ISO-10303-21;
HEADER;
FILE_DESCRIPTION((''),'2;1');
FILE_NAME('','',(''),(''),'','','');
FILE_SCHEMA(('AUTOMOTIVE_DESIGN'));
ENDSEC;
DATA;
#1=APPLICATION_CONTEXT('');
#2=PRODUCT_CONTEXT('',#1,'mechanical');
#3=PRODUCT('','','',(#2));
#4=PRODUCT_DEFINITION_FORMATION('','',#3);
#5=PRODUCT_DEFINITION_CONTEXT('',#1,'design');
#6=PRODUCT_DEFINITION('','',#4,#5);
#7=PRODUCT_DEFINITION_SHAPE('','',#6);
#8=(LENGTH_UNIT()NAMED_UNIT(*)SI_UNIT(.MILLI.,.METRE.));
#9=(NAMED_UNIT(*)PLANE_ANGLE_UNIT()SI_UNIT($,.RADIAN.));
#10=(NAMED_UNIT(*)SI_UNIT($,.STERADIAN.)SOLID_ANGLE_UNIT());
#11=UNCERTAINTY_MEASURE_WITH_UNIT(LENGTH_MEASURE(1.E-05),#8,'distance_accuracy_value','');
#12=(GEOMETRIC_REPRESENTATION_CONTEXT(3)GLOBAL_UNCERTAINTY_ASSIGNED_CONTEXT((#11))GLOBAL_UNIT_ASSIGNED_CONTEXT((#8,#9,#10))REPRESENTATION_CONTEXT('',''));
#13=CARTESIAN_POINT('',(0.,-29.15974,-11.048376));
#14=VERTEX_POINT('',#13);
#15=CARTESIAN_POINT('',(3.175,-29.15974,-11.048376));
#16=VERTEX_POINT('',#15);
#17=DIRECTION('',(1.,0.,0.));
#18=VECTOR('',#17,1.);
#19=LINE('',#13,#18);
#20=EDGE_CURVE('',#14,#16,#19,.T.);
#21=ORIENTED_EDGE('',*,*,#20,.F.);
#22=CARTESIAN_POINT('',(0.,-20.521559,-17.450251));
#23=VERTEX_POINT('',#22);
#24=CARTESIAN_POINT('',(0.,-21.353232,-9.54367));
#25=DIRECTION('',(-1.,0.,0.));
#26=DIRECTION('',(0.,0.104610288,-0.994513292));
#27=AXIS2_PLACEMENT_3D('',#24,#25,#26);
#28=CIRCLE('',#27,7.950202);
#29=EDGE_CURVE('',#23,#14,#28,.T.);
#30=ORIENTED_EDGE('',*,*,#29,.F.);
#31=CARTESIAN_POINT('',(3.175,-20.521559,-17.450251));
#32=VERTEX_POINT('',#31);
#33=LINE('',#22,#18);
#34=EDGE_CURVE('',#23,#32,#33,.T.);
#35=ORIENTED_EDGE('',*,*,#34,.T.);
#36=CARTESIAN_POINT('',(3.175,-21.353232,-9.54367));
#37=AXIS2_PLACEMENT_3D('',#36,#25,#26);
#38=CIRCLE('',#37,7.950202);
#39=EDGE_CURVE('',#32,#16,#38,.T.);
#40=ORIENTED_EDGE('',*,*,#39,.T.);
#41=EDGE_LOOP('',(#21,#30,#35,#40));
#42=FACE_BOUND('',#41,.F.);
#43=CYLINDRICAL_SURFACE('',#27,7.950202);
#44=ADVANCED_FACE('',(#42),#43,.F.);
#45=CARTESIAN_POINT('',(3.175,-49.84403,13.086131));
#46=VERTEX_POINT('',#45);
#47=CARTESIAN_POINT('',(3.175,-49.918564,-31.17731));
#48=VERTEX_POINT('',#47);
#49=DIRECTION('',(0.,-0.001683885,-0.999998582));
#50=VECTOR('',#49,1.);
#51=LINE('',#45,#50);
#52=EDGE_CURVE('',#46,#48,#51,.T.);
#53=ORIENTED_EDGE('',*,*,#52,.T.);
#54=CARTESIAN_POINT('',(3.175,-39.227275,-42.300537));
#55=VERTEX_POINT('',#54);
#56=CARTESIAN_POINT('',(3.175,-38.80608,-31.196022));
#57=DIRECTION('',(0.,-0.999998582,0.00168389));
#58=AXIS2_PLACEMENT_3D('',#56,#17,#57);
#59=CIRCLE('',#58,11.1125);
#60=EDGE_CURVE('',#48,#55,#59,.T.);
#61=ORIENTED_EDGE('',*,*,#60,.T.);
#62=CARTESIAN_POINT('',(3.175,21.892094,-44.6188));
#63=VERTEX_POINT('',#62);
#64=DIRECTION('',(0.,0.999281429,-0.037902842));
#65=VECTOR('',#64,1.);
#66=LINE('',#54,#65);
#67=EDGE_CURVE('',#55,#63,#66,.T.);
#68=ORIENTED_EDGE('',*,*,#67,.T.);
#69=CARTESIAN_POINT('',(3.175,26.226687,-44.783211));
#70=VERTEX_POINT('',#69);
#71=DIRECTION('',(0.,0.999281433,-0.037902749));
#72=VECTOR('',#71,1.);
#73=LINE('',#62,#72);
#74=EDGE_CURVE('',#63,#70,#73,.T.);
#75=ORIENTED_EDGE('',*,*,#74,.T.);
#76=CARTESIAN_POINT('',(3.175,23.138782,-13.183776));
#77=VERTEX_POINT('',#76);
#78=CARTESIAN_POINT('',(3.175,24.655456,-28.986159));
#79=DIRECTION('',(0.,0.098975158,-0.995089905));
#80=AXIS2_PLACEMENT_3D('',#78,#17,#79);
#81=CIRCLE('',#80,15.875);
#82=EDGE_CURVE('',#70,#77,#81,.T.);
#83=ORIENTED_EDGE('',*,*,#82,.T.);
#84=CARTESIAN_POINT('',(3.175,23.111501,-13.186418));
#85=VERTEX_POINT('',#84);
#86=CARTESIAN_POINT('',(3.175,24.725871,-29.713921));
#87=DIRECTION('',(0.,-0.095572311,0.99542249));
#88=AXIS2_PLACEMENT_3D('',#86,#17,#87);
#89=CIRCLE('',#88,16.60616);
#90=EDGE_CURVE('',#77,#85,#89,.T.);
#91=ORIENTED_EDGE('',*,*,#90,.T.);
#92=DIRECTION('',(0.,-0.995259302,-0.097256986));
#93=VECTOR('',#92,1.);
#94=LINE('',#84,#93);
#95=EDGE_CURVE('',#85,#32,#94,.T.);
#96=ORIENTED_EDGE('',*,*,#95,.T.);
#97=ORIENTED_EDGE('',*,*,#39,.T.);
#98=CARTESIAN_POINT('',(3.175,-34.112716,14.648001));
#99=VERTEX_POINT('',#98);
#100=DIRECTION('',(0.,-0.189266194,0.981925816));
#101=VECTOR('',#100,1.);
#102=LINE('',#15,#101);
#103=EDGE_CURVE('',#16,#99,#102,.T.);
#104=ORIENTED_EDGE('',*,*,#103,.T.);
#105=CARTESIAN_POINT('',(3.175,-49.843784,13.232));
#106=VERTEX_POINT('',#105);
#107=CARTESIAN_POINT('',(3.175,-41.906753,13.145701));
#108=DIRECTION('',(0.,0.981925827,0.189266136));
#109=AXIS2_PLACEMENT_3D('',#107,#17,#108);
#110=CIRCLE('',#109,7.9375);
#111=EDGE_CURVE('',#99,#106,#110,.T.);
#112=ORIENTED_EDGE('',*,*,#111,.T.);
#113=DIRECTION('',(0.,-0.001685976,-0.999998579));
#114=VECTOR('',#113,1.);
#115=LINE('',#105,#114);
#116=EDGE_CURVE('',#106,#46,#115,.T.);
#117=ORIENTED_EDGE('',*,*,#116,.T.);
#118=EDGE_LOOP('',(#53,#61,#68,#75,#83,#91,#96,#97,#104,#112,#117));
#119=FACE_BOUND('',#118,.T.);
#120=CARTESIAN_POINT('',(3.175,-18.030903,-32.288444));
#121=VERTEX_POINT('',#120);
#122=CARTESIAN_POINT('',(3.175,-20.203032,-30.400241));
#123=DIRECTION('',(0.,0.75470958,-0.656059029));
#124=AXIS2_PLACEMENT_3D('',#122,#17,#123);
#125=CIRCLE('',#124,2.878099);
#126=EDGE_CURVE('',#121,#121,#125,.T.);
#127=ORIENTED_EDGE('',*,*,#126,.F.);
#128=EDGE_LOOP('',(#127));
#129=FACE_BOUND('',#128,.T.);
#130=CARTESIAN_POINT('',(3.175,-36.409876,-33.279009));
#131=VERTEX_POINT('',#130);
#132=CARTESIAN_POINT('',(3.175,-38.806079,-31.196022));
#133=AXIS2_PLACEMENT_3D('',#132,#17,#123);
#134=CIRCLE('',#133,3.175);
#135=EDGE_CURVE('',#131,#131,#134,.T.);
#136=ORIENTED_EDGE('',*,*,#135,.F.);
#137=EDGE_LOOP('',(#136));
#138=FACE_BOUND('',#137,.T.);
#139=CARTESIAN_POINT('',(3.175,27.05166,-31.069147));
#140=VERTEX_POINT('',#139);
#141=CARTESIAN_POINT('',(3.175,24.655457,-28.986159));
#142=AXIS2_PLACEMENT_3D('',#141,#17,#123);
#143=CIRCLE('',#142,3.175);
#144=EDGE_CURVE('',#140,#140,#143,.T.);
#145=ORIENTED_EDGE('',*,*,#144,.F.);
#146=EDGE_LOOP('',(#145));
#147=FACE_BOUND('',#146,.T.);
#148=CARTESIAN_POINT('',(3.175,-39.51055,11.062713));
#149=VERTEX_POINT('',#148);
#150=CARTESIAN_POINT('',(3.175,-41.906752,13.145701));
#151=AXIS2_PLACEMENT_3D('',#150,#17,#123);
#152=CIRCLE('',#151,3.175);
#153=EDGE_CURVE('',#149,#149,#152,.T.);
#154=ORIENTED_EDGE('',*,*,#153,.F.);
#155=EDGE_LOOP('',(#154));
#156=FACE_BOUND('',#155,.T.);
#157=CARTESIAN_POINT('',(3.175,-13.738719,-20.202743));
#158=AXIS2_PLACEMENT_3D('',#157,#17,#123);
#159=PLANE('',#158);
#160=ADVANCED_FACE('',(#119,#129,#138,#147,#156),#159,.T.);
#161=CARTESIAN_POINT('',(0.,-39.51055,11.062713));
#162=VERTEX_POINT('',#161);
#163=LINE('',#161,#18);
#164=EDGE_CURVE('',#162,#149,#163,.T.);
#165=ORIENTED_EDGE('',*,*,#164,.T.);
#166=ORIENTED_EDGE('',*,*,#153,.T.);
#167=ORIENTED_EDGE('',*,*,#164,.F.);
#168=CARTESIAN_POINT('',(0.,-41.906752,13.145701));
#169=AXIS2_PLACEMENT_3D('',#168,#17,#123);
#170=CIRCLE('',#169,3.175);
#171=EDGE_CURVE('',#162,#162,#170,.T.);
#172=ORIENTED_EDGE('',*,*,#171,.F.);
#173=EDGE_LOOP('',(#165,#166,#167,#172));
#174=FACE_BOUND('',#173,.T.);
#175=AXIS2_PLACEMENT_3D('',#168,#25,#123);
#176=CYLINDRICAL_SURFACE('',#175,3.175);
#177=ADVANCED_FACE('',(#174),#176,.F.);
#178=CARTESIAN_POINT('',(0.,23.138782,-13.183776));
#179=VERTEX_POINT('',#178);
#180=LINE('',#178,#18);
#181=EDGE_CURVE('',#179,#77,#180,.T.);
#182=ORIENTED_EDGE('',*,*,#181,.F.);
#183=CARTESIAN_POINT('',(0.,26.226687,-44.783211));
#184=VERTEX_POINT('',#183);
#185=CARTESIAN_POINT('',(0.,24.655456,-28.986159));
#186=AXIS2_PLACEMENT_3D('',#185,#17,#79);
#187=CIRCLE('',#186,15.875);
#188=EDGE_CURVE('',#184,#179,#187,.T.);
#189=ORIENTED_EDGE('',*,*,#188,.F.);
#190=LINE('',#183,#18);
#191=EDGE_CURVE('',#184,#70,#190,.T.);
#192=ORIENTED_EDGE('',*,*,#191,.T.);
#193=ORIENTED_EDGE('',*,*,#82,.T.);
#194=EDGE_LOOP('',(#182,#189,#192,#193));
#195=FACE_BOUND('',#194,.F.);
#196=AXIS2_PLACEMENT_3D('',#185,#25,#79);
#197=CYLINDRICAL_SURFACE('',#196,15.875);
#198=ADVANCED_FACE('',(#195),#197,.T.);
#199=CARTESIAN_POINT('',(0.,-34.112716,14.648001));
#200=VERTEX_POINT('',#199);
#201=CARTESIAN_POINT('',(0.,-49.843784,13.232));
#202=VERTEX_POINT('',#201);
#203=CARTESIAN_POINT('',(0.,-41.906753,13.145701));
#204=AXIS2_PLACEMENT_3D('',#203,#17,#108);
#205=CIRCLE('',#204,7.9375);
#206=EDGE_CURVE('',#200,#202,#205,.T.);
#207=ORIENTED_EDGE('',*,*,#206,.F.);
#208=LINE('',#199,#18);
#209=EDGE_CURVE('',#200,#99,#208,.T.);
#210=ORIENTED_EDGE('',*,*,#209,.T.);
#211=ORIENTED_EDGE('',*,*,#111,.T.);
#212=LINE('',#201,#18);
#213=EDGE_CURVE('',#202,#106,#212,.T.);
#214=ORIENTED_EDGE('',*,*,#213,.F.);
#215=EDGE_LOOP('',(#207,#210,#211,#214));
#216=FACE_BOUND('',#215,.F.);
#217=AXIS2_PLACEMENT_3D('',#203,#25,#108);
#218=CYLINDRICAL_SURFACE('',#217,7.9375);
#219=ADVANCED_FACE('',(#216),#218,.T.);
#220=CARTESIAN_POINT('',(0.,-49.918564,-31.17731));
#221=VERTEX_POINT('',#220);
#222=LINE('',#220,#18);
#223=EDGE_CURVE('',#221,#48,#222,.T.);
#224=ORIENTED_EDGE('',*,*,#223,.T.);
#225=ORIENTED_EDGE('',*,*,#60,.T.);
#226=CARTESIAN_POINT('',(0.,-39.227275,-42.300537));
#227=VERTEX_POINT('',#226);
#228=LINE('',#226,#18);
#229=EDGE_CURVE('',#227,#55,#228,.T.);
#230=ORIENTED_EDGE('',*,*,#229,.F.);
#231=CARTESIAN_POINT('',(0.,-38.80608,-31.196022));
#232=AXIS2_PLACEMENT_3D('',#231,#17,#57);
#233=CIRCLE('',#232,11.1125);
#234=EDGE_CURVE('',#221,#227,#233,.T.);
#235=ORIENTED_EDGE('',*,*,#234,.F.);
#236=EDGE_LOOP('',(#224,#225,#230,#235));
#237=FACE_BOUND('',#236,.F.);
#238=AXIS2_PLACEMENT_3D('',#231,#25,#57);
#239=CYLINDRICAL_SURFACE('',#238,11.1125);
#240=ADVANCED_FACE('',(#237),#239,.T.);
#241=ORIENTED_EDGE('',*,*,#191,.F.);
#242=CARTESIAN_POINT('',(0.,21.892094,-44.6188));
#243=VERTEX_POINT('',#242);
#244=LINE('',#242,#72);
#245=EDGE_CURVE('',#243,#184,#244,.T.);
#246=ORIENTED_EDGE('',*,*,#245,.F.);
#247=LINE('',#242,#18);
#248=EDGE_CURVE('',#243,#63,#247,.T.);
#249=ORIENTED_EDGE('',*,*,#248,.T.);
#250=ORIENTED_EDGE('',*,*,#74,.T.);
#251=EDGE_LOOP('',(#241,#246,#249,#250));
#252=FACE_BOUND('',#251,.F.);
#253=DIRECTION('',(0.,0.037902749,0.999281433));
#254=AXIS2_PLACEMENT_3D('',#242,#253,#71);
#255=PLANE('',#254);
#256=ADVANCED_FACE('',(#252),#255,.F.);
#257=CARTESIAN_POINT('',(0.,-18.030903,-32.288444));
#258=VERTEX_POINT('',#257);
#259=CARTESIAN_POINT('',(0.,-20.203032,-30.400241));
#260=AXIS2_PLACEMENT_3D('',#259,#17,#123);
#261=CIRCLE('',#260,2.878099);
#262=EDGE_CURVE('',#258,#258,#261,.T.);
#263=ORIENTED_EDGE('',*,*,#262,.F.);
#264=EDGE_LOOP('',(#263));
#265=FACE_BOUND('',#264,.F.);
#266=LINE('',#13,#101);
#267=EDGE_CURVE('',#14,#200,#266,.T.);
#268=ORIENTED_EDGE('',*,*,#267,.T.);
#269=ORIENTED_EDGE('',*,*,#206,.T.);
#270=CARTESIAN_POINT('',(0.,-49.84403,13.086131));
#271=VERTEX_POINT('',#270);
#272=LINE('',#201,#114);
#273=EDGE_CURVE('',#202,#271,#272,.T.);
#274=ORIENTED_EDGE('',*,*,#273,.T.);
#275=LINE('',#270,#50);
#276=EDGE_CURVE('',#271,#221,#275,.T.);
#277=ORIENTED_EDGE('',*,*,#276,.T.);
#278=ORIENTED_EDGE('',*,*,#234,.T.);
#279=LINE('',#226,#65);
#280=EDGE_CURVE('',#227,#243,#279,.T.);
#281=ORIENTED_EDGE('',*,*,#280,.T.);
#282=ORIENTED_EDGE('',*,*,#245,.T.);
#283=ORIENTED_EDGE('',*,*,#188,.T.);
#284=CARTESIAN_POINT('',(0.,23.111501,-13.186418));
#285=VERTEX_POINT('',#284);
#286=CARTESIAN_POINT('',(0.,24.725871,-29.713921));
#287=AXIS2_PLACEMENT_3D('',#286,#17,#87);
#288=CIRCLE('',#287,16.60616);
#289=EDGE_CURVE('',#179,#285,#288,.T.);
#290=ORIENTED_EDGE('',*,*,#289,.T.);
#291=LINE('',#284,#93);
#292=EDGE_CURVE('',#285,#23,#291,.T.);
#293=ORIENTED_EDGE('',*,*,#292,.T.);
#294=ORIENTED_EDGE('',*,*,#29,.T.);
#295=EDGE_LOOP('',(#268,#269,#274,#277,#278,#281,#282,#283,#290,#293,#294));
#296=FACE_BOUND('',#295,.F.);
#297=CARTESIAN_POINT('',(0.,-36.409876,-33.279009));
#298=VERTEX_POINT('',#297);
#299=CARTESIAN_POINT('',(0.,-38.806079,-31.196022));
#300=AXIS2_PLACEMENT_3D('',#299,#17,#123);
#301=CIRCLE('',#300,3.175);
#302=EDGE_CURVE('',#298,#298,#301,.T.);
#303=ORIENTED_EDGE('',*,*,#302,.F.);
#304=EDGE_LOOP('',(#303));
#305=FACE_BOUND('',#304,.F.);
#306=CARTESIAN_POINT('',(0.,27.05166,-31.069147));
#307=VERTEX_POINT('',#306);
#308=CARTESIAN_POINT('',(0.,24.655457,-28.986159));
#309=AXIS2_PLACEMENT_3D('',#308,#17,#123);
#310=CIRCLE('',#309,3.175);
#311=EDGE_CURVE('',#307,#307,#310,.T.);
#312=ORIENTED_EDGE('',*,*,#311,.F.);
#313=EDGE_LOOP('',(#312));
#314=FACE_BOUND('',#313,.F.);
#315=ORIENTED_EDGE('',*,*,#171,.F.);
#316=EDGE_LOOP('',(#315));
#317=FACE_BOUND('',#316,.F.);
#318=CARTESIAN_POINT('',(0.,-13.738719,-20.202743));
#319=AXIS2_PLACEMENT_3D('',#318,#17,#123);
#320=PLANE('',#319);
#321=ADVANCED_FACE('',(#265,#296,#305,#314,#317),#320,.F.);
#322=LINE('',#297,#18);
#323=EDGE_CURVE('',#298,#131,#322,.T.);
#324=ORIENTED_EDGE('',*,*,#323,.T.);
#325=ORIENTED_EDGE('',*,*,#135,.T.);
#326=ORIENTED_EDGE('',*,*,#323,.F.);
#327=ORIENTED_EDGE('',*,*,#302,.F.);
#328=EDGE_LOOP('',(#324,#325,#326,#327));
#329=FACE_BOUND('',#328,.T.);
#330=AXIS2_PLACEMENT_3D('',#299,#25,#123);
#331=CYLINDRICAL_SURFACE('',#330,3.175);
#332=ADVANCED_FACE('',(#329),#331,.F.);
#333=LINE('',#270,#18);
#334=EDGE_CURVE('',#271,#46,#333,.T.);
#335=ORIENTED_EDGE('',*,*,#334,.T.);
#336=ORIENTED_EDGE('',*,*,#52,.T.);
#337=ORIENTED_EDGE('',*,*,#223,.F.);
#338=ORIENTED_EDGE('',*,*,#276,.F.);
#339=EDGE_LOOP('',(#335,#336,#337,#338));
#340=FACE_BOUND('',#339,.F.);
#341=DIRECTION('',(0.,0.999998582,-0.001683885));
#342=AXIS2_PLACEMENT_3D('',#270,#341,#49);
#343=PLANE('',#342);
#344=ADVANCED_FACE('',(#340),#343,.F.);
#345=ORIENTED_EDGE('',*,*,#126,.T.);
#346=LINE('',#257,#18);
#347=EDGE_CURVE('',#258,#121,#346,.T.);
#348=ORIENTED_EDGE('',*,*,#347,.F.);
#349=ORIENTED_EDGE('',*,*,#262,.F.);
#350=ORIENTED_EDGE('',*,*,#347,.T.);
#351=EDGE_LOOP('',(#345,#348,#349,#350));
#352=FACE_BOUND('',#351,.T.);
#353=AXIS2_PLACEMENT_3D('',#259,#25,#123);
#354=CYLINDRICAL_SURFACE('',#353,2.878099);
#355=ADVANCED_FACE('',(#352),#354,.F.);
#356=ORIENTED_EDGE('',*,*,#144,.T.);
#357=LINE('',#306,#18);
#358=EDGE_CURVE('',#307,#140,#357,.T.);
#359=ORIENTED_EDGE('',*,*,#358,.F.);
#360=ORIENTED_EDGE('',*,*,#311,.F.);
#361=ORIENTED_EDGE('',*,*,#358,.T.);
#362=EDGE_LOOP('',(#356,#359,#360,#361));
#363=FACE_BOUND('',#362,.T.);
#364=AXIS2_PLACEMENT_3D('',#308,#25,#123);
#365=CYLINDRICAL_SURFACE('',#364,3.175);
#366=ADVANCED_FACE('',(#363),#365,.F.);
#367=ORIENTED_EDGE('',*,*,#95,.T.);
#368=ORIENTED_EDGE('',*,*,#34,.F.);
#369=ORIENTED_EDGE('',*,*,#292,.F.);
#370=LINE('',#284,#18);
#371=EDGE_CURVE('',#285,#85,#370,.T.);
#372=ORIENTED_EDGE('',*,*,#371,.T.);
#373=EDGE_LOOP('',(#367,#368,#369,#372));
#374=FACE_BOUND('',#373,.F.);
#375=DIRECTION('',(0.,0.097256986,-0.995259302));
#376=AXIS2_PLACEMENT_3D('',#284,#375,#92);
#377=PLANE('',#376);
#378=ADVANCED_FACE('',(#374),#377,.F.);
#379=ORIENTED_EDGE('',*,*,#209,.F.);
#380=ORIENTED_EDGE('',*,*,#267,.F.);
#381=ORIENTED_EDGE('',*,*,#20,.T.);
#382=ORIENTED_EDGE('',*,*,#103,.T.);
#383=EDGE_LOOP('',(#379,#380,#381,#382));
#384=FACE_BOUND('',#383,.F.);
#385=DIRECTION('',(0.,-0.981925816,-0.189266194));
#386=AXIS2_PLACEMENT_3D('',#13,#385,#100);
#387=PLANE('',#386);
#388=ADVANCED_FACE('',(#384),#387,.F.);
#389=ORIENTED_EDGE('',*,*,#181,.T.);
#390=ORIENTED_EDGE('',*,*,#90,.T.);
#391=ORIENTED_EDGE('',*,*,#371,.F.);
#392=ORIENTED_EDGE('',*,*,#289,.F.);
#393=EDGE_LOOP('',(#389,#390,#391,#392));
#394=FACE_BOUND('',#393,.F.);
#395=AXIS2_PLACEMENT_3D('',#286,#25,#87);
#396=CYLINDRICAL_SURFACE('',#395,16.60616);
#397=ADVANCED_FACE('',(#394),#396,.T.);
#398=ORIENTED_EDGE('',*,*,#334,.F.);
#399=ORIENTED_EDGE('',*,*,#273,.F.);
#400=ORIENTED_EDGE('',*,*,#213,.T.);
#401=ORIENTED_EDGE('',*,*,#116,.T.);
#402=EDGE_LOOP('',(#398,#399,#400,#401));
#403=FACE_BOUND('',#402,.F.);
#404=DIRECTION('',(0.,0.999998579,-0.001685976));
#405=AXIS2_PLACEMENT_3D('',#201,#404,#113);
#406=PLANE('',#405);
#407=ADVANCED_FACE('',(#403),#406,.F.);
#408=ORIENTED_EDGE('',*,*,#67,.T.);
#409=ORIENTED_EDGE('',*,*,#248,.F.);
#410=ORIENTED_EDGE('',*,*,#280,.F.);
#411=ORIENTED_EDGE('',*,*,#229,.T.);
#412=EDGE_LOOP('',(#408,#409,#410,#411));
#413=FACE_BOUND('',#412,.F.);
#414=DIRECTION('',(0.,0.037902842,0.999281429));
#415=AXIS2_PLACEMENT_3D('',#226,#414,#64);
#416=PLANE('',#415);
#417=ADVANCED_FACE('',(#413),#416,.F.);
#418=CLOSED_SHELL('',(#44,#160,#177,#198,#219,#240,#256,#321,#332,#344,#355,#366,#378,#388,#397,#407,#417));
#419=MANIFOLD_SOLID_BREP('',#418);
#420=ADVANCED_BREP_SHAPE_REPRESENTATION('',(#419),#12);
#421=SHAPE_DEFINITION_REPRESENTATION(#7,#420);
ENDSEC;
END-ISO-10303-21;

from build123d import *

# Parameters (mm, degrees)
F0_R     = 3.175
F0_R_2   = 2.878099
F1_DEPTH = 3.175
F3_ANGLE = 41


with BuildPart() as f1:
    # F0 (on Right) → F1 (new body)
    with BuildSketch(Plane.YZ):
        with BuildLine():
            Line((-0.683293, -22.206229), (-21.279692, -6.062372))
            ThreePointArc((-21.279692, -6.062372), (-31.89988, -6.809987), (-32.223099, -17.45155))
            Line((-32.223099, -17.45155), (-32.127586, -17.5618))
            Line((-32.127586, -17.5618), (-3.144408, -51.016742))
            ThreePointArc((-3.144408, -51.016742), (4.260096, -54.808331), (12.221904, -52.397431))
            Line((12.221904, -52.397431), (59.870195, -14.049133))
            Line((59.870195, -14.049133), (63.249417, -11.329467))
            ThreePointArc((63.249417, -11.329467), (62.611086, 11.0927), (40.187851, 10.493082))
            ThreePointArc((40.187851, 10.493082), (40.178419, 10.48314), (40.168995, 10.47319))
            Line((40.168995, 10.47319), (10.036033, -21.370629))
            ThreePointArc((10.036033, -21.370629), (4.839042, -23.875239), (-0.683293, -22.206229))
        make_face()
        with Locations((5.254567, -43.740418)):
            Circle(F0_R, mode=Mode.SUBTRACT)
        with Locations((18.772386, -30.935138)):
            Circle(F0_R_2, mode=Mode.SUBTRACT)
        with Locations((-26.176328, -12.30952)):
            Circle(F0_R, mode=Mode.SUBTRACT)
        with Locations((51.699796, -0.4381)):
            Circle(F0_R, mode=Mode.SUBTRACT)
    extrude(amount=F1_DEPTH)


with BuildPart() as f1_1:
    # F3: moved
    add(f1.part.rotate(Axis((-5.653633, 0, 21.454556), (-1, 0, 0)), F3_ANGLE))


solid = f1_1.part
